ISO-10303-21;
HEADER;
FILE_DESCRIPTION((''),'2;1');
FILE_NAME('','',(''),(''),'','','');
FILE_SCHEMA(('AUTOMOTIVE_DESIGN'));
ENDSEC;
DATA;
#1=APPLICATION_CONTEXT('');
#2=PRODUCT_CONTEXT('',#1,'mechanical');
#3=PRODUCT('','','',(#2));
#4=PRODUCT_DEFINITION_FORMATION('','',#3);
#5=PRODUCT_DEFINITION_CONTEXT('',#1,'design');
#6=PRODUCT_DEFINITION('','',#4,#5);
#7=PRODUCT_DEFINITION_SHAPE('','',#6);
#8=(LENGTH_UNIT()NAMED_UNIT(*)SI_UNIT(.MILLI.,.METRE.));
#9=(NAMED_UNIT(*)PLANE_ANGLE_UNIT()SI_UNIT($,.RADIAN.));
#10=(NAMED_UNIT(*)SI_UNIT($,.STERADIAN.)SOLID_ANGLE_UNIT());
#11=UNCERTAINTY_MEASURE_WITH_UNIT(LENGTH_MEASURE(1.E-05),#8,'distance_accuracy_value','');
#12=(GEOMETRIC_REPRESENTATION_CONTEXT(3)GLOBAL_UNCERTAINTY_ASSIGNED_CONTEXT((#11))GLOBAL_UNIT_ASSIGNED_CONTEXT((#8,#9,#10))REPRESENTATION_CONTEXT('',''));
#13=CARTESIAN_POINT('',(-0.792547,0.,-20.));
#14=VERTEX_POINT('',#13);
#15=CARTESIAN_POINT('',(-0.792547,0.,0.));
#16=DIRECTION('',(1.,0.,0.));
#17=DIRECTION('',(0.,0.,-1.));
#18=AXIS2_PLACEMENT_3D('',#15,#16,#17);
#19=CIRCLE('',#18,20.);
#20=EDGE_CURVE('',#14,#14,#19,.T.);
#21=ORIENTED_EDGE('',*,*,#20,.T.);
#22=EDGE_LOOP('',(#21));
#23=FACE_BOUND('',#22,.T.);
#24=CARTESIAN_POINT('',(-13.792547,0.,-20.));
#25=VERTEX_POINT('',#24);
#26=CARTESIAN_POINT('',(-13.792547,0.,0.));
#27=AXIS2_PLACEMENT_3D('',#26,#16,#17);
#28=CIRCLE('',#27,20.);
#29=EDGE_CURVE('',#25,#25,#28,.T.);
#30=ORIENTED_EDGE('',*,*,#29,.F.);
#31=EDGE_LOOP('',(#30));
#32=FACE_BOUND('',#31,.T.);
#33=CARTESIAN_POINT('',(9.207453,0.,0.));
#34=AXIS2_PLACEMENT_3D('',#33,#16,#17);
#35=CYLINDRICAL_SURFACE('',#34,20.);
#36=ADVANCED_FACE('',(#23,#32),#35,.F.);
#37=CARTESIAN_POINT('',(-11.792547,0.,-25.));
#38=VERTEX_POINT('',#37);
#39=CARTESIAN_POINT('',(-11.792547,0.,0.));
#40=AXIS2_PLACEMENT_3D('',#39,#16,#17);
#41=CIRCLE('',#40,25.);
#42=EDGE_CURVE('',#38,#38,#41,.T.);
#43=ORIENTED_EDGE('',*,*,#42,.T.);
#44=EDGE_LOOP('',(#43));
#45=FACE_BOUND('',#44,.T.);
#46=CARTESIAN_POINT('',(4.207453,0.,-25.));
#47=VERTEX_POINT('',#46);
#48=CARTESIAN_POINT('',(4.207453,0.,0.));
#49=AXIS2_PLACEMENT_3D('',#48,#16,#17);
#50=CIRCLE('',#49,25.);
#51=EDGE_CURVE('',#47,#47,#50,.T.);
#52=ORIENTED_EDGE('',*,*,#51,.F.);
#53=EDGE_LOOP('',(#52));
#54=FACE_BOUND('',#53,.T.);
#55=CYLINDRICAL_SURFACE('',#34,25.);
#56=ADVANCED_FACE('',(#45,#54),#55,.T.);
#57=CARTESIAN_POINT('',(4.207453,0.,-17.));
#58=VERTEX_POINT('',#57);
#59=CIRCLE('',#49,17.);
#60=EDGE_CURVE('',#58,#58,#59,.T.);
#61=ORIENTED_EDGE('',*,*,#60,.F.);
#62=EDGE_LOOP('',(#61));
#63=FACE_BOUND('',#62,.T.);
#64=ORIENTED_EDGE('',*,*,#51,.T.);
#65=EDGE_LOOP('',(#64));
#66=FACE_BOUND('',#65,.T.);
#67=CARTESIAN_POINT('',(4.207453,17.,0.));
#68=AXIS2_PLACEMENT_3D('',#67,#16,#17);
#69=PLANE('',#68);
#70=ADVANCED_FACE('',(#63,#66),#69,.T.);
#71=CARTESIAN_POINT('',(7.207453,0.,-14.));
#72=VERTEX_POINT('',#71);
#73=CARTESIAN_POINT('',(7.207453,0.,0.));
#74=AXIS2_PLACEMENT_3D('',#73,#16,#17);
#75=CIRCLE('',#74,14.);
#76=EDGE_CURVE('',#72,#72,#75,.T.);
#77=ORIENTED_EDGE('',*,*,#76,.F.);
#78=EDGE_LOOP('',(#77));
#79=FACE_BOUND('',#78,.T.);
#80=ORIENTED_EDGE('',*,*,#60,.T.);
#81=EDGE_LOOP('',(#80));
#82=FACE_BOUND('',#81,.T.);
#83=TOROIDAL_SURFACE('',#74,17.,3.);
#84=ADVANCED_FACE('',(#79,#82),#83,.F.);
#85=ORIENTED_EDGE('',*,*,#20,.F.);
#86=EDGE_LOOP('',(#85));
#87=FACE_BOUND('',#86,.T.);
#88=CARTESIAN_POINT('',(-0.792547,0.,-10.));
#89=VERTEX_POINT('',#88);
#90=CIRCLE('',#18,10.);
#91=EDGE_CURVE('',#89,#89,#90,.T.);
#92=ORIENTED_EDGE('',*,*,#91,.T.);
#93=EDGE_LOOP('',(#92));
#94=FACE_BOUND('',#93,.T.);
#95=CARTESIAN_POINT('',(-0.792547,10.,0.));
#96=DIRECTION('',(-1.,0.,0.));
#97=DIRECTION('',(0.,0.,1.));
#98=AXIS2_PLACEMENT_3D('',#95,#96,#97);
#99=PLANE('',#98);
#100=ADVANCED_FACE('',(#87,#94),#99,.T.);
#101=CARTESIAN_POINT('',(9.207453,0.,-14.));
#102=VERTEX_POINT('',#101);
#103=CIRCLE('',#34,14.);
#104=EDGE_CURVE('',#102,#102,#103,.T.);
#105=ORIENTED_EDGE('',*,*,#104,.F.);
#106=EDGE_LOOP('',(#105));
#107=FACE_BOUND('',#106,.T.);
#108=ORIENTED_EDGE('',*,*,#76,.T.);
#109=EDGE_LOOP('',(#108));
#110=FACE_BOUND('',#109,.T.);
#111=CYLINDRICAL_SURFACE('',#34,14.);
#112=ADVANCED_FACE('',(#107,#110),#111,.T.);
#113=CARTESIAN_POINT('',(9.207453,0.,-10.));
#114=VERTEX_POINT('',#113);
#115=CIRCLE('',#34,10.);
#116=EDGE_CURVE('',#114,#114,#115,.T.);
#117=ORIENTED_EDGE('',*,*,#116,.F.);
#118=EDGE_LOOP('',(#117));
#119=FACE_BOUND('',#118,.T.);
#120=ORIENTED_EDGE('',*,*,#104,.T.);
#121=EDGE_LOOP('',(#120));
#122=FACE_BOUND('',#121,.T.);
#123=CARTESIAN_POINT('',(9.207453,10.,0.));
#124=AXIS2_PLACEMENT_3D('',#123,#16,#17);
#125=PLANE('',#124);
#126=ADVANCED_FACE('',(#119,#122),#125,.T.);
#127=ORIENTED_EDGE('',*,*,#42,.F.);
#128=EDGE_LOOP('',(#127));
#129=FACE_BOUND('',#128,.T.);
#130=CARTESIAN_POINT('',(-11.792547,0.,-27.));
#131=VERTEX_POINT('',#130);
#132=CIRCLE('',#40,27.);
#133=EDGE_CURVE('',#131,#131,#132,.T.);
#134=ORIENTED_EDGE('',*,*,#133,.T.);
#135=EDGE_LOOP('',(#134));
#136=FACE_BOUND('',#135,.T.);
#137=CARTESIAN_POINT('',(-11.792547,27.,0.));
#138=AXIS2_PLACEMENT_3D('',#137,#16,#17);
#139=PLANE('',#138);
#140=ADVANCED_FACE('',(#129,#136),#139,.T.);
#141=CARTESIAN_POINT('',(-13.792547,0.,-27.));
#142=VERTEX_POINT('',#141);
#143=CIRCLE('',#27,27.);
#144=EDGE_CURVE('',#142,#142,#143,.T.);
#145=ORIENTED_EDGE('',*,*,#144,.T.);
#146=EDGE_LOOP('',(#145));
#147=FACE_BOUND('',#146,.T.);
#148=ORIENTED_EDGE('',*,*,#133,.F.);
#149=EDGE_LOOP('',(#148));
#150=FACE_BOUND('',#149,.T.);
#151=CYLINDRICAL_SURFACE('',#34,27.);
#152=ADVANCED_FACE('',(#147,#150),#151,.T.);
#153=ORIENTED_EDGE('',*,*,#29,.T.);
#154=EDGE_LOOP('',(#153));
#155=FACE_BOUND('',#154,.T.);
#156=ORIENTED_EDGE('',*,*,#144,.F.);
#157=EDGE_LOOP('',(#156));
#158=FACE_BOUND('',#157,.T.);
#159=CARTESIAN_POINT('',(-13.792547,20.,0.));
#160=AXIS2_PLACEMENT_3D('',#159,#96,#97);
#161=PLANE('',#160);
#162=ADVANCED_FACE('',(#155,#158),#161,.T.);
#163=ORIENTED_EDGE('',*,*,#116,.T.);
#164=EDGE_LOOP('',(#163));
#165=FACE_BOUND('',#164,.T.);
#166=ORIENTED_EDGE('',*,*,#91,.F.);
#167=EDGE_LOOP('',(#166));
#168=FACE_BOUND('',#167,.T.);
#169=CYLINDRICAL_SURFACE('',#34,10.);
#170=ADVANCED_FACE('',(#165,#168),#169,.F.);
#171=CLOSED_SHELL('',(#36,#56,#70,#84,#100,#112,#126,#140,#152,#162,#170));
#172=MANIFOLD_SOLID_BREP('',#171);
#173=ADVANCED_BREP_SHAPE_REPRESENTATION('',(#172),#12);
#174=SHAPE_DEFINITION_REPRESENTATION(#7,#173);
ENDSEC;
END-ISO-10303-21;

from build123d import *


with BuildPart() as part:
    # Sketch1 → Revolve1 (revolve)
    with BuildSketch(Plane.XY):
        with BuildLine():
            Line((9.207453271, 10), (9.207453271, 14))
            Line((9.207453271, 14), (7.207453271, 14))
            ThreePointArc((7.207453271, 14), (5.086132927, 14.878679656), (4.207453271, 17))
            Line((4.207453271, 17), (4.207453271, 25))
            Line((4.207453271, 25), (-11.792546729, 25))
            Line((-11.792546729, 25), (-11.792546729, 27))
            Line((-11.792546729, 27), (-13.792546729, 27))
            Line((-13.792546729, 27), (-13.792546729, 20))
            Line((-13.792546729, 20), (-0.792546729, 20))
            Line((-0.792546729, 20), (-0.792546729, 10))
            Line((-0.792546729, 10), (9.207453271, 10))
        make_face()
    revolve(axis=Axis((9.207453271, 0, 0), (-1, 0, 0)))


solid = part.part
